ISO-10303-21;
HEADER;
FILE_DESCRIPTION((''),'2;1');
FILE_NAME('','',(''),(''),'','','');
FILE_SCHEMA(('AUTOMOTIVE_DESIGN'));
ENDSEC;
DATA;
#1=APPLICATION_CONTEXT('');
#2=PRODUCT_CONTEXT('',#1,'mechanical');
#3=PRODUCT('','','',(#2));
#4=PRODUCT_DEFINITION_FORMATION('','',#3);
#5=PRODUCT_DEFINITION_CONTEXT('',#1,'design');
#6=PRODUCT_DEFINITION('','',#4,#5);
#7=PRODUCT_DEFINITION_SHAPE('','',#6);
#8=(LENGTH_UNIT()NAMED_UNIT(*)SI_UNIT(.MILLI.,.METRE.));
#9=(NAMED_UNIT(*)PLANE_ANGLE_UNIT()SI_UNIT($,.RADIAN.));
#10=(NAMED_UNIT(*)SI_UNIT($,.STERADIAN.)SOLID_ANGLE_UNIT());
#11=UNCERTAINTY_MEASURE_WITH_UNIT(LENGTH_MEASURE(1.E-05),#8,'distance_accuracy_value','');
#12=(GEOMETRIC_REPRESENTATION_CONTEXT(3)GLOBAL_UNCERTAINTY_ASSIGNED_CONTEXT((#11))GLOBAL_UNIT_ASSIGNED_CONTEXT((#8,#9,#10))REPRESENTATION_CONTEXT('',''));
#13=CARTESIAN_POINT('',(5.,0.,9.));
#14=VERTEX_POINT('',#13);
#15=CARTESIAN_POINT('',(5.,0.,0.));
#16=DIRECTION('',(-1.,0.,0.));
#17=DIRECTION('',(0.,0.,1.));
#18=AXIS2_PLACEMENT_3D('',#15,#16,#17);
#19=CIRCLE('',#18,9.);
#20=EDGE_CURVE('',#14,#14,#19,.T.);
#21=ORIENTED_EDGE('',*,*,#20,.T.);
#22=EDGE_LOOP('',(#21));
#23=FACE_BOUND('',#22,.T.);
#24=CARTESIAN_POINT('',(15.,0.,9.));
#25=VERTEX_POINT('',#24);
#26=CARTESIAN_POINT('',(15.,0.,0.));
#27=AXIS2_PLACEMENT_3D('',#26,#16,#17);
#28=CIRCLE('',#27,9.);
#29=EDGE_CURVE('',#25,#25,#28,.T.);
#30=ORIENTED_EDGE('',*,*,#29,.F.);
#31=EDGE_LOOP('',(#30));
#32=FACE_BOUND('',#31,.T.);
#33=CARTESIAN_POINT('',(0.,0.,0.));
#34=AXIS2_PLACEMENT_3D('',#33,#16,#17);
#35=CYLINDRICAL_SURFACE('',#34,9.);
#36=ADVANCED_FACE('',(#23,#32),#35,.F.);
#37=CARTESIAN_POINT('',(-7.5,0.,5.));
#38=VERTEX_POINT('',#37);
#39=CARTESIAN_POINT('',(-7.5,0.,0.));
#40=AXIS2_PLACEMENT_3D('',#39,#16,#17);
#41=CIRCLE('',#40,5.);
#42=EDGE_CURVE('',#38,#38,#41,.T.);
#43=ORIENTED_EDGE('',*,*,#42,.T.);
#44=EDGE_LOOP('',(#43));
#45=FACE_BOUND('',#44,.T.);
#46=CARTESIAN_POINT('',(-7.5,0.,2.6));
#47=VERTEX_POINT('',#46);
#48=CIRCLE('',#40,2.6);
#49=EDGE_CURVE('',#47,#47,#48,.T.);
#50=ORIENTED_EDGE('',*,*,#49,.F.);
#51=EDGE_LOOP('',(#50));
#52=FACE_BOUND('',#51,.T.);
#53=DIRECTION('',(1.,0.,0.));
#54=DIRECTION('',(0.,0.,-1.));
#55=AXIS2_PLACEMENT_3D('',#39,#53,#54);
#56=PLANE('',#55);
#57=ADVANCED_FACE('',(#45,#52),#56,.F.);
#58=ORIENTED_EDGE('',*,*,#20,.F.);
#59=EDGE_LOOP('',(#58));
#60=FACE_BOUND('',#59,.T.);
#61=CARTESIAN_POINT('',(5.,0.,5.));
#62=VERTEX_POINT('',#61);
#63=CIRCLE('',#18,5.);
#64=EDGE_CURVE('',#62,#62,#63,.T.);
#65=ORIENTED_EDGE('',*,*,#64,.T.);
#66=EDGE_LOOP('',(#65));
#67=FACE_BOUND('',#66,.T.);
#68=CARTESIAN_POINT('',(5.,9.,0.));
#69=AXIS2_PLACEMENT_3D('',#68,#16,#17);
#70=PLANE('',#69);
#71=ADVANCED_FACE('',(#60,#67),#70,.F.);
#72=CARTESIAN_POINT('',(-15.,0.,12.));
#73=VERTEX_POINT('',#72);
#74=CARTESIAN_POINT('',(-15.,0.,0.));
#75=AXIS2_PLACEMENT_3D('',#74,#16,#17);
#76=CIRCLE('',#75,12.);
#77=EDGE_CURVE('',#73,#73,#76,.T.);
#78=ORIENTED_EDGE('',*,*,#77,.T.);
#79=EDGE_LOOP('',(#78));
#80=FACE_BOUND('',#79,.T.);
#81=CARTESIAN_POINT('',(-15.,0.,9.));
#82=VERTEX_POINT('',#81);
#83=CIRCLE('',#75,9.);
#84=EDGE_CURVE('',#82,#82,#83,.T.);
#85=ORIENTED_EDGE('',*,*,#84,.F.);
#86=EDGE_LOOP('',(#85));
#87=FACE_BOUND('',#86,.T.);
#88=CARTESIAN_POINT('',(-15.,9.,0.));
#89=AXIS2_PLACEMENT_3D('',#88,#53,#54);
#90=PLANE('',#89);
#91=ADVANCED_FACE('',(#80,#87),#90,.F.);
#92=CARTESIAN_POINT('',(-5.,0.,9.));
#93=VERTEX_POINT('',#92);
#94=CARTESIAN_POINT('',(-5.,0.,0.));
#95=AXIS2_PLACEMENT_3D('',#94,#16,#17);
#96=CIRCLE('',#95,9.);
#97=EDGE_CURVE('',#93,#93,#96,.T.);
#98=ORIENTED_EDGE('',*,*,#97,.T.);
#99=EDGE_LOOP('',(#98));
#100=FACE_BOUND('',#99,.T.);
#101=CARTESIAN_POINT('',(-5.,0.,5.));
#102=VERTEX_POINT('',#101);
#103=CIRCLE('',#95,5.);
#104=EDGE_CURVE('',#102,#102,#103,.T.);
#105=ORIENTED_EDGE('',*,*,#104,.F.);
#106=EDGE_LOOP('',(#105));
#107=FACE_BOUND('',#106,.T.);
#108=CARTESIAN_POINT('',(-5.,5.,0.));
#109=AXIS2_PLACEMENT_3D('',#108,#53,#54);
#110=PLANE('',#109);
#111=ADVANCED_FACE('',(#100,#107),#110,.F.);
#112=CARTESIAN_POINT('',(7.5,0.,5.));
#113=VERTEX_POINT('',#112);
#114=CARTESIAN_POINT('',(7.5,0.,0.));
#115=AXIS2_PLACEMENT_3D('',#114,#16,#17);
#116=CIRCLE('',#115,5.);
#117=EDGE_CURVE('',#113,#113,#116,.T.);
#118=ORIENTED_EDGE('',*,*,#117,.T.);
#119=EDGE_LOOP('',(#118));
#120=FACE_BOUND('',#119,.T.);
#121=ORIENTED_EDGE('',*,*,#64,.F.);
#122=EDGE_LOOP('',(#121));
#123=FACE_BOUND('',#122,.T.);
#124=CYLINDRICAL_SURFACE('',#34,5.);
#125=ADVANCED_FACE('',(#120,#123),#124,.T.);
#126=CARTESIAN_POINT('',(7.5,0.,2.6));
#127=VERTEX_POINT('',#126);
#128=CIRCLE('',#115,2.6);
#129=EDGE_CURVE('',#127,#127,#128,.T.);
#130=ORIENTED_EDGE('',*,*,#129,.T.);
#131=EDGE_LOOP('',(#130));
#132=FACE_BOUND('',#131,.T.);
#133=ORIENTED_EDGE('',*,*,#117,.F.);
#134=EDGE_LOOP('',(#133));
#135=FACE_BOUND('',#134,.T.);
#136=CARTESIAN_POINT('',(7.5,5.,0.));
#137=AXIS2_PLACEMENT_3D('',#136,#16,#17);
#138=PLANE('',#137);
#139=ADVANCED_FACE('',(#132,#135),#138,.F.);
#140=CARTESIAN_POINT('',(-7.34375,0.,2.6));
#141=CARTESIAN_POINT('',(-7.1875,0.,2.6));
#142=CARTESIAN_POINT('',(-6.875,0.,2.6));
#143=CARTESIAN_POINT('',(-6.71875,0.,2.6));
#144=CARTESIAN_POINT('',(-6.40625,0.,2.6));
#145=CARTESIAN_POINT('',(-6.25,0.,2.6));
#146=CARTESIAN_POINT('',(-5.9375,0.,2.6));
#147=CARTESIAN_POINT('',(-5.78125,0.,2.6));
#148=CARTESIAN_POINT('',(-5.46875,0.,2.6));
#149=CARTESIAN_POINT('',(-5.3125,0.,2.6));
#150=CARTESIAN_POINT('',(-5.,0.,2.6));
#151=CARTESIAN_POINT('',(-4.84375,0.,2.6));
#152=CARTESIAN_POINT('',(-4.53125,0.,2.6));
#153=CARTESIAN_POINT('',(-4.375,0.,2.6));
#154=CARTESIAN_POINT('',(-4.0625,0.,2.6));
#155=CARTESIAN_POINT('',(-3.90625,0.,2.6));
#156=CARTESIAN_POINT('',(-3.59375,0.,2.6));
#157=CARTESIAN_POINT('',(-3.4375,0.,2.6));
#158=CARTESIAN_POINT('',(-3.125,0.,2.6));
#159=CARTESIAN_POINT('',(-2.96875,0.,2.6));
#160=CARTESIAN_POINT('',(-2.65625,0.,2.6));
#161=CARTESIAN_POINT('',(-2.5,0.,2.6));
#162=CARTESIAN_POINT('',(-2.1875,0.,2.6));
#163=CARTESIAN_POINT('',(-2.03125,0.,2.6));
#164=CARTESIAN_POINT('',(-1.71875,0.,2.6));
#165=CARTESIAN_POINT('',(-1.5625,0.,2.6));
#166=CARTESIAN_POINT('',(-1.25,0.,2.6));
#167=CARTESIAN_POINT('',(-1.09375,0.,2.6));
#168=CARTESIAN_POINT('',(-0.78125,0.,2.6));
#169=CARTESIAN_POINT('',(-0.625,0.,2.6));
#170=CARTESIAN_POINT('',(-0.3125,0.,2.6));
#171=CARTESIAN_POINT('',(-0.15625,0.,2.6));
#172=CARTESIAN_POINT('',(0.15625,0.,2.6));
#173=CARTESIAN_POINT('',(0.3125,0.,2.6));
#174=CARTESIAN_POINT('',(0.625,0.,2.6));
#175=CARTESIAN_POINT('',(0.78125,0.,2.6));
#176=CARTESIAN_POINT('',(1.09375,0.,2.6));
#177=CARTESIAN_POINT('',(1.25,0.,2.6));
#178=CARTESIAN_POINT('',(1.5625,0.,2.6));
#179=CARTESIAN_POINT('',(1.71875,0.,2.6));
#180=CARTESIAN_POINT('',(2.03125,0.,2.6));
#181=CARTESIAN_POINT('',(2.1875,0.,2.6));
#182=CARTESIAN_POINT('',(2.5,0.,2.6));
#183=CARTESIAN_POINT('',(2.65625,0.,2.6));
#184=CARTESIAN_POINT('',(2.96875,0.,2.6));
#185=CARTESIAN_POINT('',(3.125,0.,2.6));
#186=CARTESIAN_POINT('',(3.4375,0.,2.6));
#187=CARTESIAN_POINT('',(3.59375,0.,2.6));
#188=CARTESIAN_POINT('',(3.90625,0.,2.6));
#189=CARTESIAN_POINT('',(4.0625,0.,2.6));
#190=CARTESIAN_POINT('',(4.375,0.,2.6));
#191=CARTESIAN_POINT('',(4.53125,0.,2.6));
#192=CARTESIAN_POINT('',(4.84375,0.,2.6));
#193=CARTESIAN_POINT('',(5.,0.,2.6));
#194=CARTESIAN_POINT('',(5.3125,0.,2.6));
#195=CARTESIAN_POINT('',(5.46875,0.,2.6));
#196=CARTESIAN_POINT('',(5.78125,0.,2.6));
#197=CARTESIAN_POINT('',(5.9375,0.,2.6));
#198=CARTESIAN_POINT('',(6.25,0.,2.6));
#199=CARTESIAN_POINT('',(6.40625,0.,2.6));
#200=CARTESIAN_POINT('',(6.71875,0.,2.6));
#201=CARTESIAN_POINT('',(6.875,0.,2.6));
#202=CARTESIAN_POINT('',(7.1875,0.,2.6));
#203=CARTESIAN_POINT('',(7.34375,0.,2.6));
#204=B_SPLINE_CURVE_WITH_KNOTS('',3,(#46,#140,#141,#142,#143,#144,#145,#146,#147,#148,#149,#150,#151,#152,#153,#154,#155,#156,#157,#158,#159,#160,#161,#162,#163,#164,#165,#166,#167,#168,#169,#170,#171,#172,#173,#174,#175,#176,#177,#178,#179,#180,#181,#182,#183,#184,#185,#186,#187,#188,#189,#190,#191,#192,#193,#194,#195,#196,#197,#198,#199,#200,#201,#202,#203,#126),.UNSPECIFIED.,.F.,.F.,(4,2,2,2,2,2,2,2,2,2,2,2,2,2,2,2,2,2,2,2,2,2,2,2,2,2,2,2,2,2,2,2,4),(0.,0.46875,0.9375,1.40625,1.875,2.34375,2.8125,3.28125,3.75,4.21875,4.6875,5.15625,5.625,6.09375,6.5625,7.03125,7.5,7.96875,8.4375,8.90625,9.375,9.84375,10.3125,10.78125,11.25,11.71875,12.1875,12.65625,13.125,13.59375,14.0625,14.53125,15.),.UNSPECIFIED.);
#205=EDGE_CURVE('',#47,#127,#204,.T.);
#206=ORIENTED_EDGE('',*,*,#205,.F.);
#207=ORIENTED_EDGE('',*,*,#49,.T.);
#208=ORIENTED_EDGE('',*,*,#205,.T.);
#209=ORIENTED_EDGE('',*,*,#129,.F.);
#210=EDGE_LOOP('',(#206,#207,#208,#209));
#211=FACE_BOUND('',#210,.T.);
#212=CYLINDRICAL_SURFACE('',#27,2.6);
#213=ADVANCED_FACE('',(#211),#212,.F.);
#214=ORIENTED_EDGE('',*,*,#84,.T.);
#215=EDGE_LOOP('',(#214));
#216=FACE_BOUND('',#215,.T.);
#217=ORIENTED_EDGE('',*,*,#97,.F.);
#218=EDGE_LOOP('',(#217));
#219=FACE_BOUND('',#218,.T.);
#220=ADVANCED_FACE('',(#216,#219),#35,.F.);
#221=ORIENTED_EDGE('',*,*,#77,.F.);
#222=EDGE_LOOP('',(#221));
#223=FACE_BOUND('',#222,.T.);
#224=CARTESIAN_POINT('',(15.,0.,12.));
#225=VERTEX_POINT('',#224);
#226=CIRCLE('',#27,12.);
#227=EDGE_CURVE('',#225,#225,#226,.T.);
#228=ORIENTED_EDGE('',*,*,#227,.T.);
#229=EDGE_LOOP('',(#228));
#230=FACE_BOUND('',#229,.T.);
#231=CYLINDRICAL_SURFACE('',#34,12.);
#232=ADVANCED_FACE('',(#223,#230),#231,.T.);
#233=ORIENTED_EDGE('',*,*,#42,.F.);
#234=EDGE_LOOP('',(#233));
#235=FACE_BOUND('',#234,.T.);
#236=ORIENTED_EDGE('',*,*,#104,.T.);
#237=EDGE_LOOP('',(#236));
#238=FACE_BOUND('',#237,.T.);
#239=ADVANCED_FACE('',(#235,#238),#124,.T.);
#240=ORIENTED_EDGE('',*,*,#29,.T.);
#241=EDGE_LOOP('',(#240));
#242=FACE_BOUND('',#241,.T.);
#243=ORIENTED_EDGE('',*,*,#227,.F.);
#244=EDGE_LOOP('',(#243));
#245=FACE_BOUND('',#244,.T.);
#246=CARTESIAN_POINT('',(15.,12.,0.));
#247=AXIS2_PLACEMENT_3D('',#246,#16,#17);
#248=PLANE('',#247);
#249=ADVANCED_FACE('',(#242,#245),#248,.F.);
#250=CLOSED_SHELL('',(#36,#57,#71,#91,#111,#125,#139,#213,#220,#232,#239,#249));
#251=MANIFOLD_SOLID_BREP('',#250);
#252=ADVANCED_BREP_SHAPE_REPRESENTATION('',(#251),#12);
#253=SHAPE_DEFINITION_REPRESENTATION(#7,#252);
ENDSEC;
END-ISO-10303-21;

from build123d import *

# Parameters (mm, degrees)
SKETCH2_R          = 2.6
CUT_EXTRUDE1_DEPTH = 29.182441342


with BuildPart() as part:
    # Sketch1 → Revolve1 (revolve)
    with BuildSketch(Plane.XY, mode=Mode.PRIVATE) as revolve1_sk:
        Polygon((-7.5, 0), (-7.5, 5), (-5, 5), (-5, 9), (-15, 9), (-15, 12), (15, 12), (15, 9), (5, 9), (5, 5), (7.5, 5), (7.5, 0), align=None)
    revolve(revolve1_sk.sketch.rotate(Axis((0, 0, 0), (1, 0, 0)), 90), axis=Axis((0, 0, 0), (1, 0, 0)))

    # Sketch2 → Cut-Extrude1 (cut, through all)
    with BuildSketch(Plane.ZY.offset(7.5)):
        Circle(SKETCH2_R)
    extrude(amount=-CUT_EXTRUDE1_DEPTH, mode=Mode.SUBTRACT)


solid = part.part
